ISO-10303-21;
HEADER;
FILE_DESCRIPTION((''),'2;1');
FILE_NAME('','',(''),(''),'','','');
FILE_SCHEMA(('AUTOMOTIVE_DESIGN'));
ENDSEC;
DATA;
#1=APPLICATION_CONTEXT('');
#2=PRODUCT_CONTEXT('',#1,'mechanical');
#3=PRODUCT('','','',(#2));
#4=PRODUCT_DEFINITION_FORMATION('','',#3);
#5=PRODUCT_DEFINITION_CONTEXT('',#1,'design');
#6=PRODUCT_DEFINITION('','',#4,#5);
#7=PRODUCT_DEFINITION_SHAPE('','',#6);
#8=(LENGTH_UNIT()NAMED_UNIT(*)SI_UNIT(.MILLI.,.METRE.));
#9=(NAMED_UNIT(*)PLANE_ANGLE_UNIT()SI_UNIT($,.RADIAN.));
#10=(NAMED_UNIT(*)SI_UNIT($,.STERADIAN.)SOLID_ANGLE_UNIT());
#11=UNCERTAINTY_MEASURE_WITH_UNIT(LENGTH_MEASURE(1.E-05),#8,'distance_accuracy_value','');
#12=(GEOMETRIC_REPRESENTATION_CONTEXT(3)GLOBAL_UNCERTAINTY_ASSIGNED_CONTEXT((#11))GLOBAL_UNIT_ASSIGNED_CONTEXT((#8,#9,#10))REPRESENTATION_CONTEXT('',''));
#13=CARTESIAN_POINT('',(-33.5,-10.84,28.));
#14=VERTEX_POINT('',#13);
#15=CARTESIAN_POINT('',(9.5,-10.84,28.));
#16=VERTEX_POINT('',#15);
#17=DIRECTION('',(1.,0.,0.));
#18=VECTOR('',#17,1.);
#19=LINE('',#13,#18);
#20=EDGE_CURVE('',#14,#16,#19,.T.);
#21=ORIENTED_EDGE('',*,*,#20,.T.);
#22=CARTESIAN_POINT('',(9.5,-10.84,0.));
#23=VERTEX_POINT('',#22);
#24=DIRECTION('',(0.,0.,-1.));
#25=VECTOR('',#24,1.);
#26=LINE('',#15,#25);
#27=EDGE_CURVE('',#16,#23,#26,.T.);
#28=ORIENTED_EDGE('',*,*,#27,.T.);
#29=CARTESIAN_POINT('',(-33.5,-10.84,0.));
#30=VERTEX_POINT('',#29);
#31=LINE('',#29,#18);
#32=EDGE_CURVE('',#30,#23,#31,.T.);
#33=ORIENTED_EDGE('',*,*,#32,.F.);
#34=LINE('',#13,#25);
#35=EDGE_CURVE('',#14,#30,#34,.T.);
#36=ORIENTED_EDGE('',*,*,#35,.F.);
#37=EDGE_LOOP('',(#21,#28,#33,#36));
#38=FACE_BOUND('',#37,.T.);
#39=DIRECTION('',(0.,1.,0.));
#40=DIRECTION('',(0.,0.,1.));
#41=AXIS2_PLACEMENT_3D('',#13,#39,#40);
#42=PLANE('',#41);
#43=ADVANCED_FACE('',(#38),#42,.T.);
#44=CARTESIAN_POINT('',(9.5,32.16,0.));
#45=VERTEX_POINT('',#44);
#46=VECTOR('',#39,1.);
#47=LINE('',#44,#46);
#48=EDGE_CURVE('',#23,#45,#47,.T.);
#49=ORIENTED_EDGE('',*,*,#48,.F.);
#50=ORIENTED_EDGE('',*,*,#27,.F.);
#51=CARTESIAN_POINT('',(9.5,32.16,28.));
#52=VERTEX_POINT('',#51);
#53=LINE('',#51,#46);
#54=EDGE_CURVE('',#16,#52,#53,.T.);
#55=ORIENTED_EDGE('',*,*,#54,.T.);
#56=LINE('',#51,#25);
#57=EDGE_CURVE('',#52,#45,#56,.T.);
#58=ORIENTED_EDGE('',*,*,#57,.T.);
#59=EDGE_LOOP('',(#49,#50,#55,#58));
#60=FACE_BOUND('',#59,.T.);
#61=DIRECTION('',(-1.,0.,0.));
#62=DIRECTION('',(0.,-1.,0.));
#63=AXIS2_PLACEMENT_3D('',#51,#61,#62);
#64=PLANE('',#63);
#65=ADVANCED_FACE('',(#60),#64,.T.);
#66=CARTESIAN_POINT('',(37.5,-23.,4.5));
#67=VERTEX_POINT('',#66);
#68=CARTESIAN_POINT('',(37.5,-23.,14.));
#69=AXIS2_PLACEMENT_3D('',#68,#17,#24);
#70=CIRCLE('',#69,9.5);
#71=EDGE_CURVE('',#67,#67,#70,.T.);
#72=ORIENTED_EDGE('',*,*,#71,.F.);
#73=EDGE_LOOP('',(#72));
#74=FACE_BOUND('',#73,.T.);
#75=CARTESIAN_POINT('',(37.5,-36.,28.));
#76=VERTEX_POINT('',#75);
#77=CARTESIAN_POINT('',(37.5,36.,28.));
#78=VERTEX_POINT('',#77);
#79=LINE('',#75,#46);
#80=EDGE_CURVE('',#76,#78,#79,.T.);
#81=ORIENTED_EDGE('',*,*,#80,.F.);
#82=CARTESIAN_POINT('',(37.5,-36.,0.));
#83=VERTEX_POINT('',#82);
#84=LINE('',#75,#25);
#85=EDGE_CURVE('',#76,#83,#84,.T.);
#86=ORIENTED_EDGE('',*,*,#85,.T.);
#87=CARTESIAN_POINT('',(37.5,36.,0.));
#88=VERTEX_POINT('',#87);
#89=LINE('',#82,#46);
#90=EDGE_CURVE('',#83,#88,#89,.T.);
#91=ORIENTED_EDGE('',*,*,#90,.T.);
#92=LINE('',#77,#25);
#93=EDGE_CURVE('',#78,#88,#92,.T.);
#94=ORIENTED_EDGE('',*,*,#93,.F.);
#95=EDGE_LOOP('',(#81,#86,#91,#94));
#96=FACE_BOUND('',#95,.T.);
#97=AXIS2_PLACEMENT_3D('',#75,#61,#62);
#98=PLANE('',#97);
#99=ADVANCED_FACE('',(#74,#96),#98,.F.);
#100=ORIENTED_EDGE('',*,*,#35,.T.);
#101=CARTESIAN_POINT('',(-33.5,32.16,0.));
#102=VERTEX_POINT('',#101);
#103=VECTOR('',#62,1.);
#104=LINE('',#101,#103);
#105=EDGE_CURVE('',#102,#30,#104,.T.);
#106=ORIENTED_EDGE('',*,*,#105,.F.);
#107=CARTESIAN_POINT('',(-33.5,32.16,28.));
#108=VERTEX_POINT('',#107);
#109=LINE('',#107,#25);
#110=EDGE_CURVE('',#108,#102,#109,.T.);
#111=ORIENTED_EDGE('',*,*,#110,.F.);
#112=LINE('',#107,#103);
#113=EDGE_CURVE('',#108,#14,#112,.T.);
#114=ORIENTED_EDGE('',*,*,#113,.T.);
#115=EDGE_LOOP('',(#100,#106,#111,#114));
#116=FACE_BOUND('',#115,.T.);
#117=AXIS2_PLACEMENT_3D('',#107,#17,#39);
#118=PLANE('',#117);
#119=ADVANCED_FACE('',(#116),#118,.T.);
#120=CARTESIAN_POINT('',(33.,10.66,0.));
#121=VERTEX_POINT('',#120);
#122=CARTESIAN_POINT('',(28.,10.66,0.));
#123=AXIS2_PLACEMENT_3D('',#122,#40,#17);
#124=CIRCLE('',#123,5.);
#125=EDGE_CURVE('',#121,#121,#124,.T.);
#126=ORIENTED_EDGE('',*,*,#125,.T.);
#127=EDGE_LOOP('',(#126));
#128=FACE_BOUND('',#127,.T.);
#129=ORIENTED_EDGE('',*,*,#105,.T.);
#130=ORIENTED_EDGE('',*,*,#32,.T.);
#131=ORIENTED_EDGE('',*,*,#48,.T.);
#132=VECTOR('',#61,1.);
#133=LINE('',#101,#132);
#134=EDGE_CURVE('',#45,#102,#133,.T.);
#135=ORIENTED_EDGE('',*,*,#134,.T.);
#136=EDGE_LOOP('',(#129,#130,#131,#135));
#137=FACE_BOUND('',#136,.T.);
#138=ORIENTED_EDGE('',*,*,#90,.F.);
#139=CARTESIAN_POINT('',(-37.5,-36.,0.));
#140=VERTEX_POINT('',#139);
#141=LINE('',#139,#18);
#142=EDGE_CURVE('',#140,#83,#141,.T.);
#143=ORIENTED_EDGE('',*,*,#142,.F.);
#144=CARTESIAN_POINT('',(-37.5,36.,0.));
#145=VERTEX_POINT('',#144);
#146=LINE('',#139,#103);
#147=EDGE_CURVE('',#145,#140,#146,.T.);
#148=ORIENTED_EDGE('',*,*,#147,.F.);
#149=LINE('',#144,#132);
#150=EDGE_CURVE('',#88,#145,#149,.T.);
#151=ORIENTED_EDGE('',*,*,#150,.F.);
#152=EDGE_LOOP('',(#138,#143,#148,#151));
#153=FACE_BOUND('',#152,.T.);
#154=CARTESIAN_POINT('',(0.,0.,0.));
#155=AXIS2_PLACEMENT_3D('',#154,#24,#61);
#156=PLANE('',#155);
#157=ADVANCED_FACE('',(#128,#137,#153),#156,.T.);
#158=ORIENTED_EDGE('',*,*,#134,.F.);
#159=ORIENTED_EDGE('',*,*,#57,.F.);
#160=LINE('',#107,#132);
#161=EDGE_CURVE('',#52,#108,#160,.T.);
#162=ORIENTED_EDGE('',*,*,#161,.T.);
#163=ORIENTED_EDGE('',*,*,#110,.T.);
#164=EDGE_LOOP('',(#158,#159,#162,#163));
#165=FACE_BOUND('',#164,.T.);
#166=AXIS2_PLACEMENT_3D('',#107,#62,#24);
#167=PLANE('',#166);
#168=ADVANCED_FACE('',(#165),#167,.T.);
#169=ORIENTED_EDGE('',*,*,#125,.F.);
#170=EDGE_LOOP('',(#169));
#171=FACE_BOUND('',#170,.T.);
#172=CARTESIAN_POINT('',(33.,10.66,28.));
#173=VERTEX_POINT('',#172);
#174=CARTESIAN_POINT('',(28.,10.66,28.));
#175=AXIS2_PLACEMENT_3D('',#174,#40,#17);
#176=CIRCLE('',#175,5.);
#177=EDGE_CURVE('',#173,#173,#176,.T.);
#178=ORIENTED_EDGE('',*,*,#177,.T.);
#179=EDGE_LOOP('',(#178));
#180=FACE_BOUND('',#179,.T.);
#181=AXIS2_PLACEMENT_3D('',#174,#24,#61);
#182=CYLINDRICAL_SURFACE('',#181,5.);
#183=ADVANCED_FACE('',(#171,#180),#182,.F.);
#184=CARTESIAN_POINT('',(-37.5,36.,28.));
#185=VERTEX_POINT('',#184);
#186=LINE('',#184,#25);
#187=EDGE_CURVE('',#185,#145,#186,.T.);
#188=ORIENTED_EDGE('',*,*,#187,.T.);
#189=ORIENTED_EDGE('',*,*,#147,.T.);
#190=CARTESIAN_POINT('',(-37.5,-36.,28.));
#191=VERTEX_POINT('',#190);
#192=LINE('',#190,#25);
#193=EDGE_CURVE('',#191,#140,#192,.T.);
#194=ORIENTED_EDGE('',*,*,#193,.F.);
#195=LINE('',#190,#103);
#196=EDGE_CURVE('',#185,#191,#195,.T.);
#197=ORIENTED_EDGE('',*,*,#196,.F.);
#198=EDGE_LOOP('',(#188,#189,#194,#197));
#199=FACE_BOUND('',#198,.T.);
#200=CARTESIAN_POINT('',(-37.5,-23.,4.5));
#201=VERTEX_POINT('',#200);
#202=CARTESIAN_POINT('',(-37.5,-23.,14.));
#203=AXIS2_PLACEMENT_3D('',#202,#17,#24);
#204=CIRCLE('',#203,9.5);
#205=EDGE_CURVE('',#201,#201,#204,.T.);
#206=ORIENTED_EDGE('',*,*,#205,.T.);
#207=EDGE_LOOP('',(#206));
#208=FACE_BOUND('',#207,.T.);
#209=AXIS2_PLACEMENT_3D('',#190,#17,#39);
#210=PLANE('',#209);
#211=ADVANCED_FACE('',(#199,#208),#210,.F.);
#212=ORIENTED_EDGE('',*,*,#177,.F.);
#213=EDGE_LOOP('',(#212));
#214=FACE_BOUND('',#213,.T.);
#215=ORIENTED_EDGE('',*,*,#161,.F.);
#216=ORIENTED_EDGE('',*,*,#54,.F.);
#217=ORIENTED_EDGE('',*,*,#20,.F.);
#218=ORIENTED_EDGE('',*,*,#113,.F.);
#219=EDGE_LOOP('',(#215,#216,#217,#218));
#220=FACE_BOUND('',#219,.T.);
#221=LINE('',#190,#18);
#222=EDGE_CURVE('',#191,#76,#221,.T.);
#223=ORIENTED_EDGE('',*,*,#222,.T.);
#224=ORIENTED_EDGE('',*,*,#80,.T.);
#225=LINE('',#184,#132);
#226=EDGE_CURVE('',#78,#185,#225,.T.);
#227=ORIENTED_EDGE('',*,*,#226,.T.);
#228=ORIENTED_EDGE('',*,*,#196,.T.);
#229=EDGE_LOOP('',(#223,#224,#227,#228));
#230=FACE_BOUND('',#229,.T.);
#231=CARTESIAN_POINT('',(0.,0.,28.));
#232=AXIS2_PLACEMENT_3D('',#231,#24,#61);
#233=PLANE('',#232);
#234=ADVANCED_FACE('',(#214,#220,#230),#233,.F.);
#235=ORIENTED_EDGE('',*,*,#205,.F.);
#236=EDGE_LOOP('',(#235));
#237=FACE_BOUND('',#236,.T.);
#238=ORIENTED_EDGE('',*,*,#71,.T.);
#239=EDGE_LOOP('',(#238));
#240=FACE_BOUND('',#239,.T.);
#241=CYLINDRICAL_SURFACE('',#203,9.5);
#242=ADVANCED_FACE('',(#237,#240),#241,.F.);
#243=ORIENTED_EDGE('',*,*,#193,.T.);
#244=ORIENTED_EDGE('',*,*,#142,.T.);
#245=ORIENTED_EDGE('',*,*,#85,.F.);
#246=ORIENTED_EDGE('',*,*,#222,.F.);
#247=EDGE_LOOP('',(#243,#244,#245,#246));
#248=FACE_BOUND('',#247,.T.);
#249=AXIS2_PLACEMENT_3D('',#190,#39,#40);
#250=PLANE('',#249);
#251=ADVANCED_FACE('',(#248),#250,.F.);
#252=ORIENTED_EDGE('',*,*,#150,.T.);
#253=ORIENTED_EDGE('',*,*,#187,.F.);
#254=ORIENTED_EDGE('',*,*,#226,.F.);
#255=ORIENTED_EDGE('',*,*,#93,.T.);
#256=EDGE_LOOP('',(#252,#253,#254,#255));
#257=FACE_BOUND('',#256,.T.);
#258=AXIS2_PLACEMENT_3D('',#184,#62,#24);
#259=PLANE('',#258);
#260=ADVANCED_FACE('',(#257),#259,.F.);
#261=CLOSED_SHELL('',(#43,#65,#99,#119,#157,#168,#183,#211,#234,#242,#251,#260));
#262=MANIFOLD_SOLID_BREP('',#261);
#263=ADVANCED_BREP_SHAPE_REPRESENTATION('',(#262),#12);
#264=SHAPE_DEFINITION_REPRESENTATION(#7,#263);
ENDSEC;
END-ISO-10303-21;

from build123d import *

# Parameters (mm, degrees)
SKETCH1_W           = 75
SKETCH1_H           = 72
SKETCH1_R           = 5
SKETCH1_W_2         = 43
SKETCH1_H_2         = 43
BOSS_EXTRUDE1_DEPTH = 28
SKETCH2_R           = 9.5
CUT_EXTRUDE1_DEPTH  = 88.778129395


with BuildPart() as part:
    # Sketch1 → Boss-Extrude1 (new body)
    with BuildSketch(Plane.XY):
        Rectangle(SKETCH1_W, SKETCH1_H)
        with Locations((28, 10.66)):
            Circle(SKETCH1_R, mode=Mode.SUBTRACT)
        with Locations((-12, 10.66)):
            Rectangle(SKETCH1_W_2, SKETCH1_H_2, mode=Mode.SUBTRACT)
    extrude(amount=BOSS_EXTRUDE1_DEPTH)

    # Sketch2 → Cut-Extrude1 (cut, through all)
    with BuildSketch(Plane(origin=(37.5, 0, 0), x_dir=(0, 0, -1), z_dir=(1, 0, 0))):
        with Locations((-14, -23)):
            Circle(SKETCH2_R)
    extrude(amount=-CUT_EXTRUDE1_DEPTH, mode=Mode.SUBTRACT)


solid = part.part
